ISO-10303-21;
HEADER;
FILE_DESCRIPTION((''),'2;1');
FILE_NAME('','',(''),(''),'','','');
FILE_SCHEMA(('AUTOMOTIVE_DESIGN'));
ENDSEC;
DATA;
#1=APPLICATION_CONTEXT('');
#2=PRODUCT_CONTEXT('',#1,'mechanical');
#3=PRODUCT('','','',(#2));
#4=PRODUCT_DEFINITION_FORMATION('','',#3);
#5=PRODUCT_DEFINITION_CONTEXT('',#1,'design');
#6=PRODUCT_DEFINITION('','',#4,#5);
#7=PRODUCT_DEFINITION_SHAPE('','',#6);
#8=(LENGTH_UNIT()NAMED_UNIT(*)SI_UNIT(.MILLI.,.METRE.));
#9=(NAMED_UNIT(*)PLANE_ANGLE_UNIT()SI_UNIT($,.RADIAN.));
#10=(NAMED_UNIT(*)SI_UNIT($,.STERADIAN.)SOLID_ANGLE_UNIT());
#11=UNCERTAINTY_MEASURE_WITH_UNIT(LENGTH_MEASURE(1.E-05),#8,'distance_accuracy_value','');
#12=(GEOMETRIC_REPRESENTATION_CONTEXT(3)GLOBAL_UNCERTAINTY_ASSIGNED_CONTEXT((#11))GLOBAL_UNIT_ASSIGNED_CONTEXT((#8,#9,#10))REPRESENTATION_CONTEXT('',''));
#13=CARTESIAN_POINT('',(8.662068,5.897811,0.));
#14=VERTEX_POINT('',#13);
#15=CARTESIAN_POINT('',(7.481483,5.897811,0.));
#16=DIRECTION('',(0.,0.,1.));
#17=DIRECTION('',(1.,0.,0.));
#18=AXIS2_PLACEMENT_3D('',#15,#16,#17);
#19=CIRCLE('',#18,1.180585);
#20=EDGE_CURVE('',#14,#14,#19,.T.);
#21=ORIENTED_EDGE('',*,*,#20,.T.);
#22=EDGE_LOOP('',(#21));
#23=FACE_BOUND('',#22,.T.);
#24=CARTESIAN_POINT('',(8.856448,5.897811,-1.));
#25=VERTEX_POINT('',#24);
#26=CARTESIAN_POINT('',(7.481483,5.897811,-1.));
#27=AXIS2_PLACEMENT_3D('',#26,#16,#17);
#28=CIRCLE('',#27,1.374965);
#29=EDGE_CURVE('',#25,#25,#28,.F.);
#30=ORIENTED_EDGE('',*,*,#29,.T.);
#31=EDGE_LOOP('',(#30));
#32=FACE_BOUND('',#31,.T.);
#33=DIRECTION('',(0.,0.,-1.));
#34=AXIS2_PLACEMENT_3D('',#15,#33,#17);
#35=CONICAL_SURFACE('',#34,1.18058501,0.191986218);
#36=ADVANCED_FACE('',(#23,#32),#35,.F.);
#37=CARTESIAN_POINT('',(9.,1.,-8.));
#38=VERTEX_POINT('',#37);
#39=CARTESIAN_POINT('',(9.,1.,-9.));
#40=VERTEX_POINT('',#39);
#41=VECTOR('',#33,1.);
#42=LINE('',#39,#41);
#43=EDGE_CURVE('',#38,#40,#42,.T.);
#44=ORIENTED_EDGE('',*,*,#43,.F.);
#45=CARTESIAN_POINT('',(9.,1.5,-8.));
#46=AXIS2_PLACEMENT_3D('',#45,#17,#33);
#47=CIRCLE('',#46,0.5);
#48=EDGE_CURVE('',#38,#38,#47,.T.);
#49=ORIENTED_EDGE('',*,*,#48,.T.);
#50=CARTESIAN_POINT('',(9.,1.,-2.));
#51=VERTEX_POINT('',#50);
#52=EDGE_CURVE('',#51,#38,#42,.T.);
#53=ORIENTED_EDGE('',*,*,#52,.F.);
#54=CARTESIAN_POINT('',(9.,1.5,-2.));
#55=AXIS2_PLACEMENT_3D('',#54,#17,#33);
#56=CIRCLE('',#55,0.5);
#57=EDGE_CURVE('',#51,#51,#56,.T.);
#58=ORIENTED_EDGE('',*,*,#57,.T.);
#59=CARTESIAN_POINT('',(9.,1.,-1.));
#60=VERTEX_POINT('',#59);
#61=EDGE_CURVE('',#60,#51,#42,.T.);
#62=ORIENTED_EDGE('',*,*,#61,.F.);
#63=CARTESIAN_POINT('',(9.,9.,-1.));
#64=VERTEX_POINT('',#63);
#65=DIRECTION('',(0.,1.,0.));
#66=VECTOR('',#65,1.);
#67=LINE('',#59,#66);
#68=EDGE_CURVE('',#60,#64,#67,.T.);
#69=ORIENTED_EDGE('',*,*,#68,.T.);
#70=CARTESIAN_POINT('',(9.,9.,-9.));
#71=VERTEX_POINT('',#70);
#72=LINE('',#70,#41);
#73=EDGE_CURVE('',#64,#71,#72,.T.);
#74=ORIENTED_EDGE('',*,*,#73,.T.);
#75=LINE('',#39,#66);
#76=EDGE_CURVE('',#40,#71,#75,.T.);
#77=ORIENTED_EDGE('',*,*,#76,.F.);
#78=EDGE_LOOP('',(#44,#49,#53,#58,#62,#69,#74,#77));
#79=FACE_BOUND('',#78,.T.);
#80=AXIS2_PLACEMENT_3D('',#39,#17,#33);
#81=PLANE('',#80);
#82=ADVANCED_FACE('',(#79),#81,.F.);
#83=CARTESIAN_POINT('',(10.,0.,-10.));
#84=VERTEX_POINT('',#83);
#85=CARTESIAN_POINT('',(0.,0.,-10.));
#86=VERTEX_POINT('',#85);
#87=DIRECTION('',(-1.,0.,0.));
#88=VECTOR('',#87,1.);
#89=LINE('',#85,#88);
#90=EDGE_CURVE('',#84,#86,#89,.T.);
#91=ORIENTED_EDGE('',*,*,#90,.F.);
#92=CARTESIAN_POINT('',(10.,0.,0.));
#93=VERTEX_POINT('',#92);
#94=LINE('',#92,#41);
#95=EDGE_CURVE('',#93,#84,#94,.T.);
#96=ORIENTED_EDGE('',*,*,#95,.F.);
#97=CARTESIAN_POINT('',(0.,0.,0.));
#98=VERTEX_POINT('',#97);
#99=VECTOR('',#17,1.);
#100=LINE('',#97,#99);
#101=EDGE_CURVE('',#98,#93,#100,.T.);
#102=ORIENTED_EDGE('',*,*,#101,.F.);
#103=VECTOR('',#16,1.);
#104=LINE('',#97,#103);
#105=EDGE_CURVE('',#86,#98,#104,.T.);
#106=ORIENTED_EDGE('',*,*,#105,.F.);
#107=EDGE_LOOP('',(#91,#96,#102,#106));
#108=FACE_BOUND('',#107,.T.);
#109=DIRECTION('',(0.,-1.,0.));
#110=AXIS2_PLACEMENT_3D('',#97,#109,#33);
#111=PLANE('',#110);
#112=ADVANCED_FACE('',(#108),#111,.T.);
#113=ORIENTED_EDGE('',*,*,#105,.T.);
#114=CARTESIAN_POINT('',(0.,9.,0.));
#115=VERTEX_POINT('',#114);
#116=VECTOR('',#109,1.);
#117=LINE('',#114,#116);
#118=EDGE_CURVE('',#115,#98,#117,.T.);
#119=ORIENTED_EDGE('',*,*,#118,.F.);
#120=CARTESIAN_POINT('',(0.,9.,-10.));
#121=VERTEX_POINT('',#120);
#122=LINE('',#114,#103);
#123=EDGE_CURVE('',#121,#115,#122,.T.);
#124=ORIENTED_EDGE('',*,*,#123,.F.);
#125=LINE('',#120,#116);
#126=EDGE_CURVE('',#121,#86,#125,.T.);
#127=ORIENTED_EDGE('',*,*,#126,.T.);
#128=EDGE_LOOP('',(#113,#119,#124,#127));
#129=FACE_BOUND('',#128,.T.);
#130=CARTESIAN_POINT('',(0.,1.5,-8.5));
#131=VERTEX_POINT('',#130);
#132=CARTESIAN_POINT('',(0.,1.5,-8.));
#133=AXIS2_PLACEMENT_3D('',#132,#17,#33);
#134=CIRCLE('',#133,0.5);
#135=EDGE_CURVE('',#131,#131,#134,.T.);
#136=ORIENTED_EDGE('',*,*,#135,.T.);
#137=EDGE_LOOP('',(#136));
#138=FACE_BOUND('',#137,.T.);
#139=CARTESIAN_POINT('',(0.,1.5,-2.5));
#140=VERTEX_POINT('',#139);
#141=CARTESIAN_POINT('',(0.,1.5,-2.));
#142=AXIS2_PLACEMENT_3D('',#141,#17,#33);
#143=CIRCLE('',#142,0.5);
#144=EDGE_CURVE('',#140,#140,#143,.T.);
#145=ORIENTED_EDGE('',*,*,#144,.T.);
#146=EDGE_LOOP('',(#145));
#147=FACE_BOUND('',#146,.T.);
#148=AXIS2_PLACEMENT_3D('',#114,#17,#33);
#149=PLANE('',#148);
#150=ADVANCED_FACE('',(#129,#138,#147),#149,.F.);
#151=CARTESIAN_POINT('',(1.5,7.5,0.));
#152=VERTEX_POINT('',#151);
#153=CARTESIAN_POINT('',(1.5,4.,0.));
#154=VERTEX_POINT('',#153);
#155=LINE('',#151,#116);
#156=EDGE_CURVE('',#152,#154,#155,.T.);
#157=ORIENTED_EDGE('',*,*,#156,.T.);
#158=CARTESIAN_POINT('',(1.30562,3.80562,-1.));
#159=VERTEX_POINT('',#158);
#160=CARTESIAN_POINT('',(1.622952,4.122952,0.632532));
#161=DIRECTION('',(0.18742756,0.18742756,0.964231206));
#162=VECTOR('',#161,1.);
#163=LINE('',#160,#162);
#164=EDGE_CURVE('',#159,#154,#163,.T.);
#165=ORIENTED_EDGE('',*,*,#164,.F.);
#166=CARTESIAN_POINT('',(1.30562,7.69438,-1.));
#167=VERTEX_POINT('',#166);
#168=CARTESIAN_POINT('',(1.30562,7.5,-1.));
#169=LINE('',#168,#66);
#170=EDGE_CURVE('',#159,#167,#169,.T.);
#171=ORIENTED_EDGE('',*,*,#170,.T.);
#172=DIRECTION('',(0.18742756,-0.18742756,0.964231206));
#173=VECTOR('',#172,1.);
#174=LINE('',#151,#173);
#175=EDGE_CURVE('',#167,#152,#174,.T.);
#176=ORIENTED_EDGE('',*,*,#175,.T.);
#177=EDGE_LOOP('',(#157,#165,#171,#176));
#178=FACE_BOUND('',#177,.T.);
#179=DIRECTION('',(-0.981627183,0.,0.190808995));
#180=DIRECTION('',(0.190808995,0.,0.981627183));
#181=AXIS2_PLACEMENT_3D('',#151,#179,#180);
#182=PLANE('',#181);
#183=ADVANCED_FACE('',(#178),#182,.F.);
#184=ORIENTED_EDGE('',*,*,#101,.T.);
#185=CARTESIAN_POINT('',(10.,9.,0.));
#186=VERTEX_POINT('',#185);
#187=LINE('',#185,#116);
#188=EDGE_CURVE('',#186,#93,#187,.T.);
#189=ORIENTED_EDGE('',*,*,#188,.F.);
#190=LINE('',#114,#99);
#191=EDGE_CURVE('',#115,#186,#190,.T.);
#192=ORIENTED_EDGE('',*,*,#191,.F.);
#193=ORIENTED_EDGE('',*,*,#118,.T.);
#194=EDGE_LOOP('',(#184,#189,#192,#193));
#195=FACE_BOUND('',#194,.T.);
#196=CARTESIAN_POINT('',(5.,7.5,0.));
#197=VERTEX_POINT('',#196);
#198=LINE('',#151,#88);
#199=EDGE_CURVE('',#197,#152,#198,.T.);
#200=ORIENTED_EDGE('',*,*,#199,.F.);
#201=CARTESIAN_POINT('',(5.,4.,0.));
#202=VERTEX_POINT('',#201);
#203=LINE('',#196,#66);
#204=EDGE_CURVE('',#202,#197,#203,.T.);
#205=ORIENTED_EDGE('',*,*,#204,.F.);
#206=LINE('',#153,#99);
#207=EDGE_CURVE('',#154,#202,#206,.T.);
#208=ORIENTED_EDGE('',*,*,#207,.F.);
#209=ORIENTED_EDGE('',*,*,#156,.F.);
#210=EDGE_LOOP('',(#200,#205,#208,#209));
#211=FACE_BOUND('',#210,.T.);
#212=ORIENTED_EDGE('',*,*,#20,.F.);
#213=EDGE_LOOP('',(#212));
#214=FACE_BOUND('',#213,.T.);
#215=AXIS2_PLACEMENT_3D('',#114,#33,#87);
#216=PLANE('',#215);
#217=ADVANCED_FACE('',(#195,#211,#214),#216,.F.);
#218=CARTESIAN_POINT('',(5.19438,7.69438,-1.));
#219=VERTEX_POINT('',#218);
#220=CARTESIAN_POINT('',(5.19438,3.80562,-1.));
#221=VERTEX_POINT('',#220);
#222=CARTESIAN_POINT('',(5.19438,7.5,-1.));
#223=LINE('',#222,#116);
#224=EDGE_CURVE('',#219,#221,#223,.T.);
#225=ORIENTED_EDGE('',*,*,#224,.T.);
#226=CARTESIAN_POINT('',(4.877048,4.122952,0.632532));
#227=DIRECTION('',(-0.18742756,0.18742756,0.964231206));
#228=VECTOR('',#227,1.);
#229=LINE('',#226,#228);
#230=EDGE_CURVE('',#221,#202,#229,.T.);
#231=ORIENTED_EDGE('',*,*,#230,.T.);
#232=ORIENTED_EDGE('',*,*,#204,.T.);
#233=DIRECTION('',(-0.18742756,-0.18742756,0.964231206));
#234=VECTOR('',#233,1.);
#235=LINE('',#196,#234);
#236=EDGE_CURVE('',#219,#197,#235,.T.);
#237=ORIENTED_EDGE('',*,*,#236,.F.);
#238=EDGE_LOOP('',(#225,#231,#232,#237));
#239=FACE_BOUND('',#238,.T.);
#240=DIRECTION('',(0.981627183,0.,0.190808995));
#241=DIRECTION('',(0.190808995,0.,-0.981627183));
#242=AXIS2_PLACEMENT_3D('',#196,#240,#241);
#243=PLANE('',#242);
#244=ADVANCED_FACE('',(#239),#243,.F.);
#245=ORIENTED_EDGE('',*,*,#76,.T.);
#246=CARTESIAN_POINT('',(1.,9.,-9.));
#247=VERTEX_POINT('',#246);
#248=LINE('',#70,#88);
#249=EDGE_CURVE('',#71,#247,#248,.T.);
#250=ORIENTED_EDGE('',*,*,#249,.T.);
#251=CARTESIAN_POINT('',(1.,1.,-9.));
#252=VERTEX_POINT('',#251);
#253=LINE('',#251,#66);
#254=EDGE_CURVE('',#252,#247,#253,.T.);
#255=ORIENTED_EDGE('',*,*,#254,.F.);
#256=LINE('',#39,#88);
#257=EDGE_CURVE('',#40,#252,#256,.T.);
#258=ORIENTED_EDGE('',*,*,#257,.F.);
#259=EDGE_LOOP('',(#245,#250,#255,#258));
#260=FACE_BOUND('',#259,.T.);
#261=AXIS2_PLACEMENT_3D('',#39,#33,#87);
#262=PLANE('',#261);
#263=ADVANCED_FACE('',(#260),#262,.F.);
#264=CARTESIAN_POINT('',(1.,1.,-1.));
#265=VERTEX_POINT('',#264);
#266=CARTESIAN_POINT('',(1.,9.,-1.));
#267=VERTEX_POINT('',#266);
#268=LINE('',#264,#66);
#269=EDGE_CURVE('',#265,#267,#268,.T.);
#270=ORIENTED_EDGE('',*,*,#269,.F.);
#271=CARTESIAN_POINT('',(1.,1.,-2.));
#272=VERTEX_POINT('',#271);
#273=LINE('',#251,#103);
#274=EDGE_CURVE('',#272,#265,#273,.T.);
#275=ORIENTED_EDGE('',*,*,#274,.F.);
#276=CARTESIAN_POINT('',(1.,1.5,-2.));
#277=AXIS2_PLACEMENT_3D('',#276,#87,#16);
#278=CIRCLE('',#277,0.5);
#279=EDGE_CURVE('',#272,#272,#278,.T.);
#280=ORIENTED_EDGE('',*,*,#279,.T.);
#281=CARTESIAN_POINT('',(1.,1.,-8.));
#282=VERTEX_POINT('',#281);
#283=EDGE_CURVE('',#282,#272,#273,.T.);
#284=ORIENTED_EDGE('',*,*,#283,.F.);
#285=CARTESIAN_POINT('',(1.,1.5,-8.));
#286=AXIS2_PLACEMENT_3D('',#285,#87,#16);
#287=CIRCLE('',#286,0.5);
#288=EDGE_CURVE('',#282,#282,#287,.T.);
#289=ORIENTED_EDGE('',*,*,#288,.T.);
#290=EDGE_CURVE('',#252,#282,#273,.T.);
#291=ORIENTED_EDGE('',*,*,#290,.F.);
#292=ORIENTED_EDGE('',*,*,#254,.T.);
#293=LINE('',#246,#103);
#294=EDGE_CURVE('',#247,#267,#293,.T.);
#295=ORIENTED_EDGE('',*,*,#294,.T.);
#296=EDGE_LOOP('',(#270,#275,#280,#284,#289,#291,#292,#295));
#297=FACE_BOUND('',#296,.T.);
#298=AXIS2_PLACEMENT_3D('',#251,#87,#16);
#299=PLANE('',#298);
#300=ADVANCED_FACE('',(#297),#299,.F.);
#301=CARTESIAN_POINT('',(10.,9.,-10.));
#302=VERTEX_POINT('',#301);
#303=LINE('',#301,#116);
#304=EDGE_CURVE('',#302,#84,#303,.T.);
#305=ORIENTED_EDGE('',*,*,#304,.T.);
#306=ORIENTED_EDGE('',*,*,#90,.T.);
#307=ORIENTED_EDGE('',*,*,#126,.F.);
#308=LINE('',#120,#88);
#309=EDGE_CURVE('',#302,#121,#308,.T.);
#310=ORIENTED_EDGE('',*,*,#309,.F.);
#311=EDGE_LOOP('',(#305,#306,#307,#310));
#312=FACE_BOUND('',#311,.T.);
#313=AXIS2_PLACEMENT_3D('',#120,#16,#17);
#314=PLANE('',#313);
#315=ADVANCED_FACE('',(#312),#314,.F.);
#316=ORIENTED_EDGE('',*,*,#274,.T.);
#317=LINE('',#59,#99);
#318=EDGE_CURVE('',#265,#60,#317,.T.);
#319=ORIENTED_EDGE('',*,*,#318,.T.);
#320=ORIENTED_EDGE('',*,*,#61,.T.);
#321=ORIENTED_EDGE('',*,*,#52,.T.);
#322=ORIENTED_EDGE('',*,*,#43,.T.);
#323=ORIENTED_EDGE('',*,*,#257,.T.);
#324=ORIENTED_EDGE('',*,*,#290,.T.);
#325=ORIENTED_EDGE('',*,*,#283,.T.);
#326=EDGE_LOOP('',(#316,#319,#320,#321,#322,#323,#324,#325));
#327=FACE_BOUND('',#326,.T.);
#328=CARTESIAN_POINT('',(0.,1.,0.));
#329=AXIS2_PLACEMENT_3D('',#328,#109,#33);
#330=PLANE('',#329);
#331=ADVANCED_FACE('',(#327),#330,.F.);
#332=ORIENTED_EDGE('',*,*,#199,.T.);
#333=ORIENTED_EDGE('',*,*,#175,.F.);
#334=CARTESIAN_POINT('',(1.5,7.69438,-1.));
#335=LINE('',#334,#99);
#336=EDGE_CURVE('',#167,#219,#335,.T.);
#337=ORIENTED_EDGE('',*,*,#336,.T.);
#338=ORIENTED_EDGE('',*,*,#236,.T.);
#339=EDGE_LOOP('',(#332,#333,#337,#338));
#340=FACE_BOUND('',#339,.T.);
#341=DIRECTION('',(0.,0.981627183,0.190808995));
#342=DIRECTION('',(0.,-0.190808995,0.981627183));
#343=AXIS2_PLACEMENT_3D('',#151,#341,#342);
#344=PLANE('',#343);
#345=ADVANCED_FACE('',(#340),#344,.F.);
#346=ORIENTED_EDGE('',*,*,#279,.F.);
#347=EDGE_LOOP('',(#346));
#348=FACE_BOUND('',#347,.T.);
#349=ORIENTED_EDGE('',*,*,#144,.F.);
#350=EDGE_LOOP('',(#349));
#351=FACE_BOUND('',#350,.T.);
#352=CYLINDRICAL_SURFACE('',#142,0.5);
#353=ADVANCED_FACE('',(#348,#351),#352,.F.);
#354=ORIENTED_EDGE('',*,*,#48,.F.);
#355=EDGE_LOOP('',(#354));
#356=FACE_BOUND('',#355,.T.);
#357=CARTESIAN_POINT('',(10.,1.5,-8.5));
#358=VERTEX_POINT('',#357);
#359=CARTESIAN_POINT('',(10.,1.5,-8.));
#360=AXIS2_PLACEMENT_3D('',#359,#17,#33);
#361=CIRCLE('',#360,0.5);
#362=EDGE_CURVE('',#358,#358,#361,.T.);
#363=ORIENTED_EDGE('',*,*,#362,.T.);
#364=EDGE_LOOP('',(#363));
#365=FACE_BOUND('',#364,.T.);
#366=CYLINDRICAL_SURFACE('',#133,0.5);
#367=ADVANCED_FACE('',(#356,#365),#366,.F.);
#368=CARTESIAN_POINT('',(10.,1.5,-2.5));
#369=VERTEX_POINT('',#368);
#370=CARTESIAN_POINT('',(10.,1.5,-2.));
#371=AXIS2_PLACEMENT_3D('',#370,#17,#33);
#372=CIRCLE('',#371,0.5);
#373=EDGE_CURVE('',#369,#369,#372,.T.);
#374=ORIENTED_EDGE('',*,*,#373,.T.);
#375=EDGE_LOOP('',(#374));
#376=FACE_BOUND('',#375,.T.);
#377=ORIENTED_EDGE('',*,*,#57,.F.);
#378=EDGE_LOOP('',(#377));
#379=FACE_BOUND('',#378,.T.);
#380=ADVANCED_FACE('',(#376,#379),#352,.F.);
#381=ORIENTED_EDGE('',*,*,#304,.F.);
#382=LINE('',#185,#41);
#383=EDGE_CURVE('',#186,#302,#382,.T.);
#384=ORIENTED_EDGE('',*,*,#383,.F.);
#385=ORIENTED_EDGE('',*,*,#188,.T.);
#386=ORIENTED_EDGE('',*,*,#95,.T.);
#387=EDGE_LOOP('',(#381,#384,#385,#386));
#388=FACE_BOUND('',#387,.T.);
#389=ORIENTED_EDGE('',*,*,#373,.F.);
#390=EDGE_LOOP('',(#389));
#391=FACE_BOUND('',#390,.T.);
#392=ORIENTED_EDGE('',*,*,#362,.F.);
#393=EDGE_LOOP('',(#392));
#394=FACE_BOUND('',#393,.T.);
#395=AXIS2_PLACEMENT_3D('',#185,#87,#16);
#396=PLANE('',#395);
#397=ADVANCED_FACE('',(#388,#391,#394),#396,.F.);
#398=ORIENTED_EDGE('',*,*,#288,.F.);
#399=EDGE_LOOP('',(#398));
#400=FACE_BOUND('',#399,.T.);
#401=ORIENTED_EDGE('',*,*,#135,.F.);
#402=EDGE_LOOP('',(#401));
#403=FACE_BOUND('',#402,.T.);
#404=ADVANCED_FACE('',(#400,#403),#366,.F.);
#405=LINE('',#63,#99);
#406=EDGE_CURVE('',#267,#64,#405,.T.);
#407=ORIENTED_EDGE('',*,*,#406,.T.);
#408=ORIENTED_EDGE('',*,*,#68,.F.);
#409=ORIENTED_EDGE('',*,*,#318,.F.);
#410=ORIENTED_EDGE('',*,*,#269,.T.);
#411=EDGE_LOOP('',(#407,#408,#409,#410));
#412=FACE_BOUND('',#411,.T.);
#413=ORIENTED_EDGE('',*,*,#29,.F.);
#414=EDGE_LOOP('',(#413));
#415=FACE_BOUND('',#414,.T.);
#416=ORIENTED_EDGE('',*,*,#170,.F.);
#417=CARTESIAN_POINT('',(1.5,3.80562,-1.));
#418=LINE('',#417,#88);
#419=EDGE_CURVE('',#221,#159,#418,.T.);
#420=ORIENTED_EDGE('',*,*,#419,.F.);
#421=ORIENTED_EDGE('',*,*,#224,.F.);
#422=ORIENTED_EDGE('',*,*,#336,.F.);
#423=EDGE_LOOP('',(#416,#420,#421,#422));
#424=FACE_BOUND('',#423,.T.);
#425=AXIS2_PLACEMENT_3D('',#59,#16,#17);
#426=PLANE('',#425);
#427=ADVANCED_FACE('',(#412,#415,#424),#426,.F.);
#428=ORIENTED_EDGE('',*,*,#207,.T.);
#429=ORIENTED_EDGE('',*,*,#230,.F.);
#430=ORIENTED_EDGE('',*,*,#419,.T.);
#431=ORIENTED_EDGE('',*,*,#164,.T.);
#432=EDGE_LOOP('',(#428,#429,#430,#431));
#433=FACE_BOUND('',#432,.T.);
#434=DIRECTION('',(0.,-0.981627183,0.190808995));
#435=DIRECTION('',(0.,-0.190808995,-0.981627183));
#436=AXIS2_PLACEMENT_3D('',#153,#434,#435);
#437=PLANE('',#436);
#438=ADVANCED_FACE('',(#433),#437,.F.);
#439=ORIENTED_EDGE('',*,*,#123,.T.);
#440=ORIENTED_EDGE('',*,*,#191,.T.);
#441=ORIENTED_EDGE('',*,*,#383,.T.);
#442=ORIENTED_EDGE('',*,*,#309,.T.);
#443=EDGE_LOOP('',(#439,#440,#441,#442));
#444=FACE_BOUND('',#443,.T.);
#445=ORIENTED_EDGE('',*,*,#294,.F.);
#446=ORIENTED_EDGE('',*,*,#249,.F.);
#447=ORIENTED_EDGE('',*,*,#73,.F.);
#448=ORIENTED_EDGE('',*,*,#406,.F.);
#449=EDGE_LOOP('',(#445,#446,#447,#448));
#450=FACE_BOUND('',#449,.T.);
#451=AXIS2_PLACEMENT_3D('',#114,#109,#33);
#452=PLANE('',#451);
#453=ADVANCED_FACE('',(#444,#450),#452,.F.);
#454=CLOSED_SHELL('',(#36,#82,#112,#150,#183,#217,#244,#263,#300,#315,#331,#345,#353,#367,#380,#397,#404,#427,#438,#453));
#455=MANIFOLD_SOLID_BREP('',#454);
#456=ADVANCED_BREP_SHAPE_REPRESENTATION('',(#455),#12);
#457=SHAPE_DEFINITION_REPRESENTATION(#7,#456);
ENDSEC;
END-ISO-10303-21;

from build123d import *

# Parameters (mm, degrees)
ESQUISSE1_W                       = 10
ESQUISSE1_H                       = 10
BOSS_EXTRU_1_DEPTH                = 9
ESQUISSE3_R                       = 1.18058501
ENL_V_MAT_EXTRU_3_DEPTH           = 1.25
ENL_V_MAT_EXTRU_3_DRAFT           = 11
ESQUISSE3_W                       = 3.5
ESQUISSE3_H                       = 3.5
ENL_V_MAT_EXTRU_3_PROFILE_2_DEPTH = 1.25
ENL_V_MAT_EXTRU_3_PROFILE_2_DRAFT = 11
ESQUISSE5_W                       = 8
ESQUISSE5_H                       = 8
ENL_V_MAT_EXTRU_4_DEPTH           = 8
ESQUISSE7_R                       = 0.5
ENL_V_MAT_EXTRU_5_DEPTH           = 17.763054614


with BuildPart() as part:
    # Esquisse1 → Boss.-Extru.1 (new body)
    with BuildSketch(Plane(origin=(0, 0, 0), x_dir=(1, 0, 0), z_dir=(0, 1, 0))):
        with Locations((5, 5)):
            Rectangle(ESQUISSE1_W, ESQUISSE1_H)
    extrude(amount=BOSS_EXTRU_1_DEPTH)


with BuildPart() as enl_v_mat_extru_3_tool:
    # Esquisse3 → Enlèv. mat.-Extru.3 (with draft: the straight prism first)
    with BuildSketch(Plane.XY):
        with Locations((7.481483156, 5.897810635)):
            Circle(ESQUISSE3_R)
    extrude(amount=-ENL_V_MAT_EXTRU_3_DEPTH)
    # Enlèv. mat.-Extru.3: the draft: its side faces are tilted about the plane it starts from
    enl_v_mat_extru_3_sides = [enl_v_mat_extru_3_tool.faces().sort_by_distance(p)[0] for p in [
        (6.300898146, 5.897810635, -0.625),
    ]]
    draft(enl_v_mat_extru_3_sides, Plane.XY, ENL_V_MAT_EXTRU_3_DRAFT)


with BuildPart() as part_1:
    add(part.part)

    # Enlèv. mat.-Extru.3: cut by enl_v_mat_extru_3_tool
    add(enl_v_mat_extru_3_tool.part, mode=Mode.SUBTRACT)


with BuildPart() as enl_v_mat_extru_3_profile_2_tool:
    # Esquisse3 → Enlèv. mat.-Extru.3 profile 2 (with draft: the straight prism first)
    with BuildSketch(Plane.XY):
        with Locations((3.25, 5.75)):
            Rectangle(ESQUISSE3_W, ESQUISSE3_H)
    extrude(amount=-ENL_V_MAT_EXTRU_3_PROFILE_2_DEPTH)
    # Enlèv. mat.-Extru.3 profile 2: the draft: its side faces are tilted about the plane it starts from
    enl_v_mat_extru_3_profile_2_sides = [enl_v_mat_extru_3_profile_2_tool.faces().sort_by_distance(p)[0] for p in [
        (1.5, 5.75, -0.625),
        (3.25, 4, -0.625),
        (5, 5.75, -0.625),
        (3.25, 7.5, -0.625),
    ]]
    draft(enl_v_mat_extru_3_profile_2_sides, Plane.XY, ENL_V_MAT_EXTRU_3_PROFILE_2_DRAFT)


with BuildPart() as part_2:
    add(part_1.part)

    # Enlèv. mat.-Extru.3 profile 2: cut by enl_v_mat_extru_3_profile_2_tool
    add(enl_v_mat_extru_3_profile_2_tool.part, mode=Mode.SUBTRACT)

    # Esquisse5 → Enlèv. mat.-Extru.4 (cut)
    with BuildSketch(Plane(origin=(0, 9, 0), x_dir=(1, 0, 0), z_dir=(0, 1, 0))):
        with Locations((5, 5)):
            Rectangle(ESQUISSE5_W, ESQUISSE5_H)
    extrude(amount=-ENL_V_MAT_EXTRU_4_DEPTH, mode=Mode.SUBTRACT)

    # Esquisse7 → Enlèv. mat.-Extru.5 (cut, through all)
    with BuildSketch(Plane(origin=(10, 0, 0), x_dir=(0, 0, -1), z_dir=(1, 0, 0))):
        with Locations((2, 1.5)):
            Circle(ESQUISSE7_R)
        with Locations((8, 1.5)):
            Circle(ESQUISSE7_R)
    extrude(amount=-ENL_V_MAT_EXTRU_5_DEPTH, mode=Mode.SUBTRACT)


solid = part_2.part
